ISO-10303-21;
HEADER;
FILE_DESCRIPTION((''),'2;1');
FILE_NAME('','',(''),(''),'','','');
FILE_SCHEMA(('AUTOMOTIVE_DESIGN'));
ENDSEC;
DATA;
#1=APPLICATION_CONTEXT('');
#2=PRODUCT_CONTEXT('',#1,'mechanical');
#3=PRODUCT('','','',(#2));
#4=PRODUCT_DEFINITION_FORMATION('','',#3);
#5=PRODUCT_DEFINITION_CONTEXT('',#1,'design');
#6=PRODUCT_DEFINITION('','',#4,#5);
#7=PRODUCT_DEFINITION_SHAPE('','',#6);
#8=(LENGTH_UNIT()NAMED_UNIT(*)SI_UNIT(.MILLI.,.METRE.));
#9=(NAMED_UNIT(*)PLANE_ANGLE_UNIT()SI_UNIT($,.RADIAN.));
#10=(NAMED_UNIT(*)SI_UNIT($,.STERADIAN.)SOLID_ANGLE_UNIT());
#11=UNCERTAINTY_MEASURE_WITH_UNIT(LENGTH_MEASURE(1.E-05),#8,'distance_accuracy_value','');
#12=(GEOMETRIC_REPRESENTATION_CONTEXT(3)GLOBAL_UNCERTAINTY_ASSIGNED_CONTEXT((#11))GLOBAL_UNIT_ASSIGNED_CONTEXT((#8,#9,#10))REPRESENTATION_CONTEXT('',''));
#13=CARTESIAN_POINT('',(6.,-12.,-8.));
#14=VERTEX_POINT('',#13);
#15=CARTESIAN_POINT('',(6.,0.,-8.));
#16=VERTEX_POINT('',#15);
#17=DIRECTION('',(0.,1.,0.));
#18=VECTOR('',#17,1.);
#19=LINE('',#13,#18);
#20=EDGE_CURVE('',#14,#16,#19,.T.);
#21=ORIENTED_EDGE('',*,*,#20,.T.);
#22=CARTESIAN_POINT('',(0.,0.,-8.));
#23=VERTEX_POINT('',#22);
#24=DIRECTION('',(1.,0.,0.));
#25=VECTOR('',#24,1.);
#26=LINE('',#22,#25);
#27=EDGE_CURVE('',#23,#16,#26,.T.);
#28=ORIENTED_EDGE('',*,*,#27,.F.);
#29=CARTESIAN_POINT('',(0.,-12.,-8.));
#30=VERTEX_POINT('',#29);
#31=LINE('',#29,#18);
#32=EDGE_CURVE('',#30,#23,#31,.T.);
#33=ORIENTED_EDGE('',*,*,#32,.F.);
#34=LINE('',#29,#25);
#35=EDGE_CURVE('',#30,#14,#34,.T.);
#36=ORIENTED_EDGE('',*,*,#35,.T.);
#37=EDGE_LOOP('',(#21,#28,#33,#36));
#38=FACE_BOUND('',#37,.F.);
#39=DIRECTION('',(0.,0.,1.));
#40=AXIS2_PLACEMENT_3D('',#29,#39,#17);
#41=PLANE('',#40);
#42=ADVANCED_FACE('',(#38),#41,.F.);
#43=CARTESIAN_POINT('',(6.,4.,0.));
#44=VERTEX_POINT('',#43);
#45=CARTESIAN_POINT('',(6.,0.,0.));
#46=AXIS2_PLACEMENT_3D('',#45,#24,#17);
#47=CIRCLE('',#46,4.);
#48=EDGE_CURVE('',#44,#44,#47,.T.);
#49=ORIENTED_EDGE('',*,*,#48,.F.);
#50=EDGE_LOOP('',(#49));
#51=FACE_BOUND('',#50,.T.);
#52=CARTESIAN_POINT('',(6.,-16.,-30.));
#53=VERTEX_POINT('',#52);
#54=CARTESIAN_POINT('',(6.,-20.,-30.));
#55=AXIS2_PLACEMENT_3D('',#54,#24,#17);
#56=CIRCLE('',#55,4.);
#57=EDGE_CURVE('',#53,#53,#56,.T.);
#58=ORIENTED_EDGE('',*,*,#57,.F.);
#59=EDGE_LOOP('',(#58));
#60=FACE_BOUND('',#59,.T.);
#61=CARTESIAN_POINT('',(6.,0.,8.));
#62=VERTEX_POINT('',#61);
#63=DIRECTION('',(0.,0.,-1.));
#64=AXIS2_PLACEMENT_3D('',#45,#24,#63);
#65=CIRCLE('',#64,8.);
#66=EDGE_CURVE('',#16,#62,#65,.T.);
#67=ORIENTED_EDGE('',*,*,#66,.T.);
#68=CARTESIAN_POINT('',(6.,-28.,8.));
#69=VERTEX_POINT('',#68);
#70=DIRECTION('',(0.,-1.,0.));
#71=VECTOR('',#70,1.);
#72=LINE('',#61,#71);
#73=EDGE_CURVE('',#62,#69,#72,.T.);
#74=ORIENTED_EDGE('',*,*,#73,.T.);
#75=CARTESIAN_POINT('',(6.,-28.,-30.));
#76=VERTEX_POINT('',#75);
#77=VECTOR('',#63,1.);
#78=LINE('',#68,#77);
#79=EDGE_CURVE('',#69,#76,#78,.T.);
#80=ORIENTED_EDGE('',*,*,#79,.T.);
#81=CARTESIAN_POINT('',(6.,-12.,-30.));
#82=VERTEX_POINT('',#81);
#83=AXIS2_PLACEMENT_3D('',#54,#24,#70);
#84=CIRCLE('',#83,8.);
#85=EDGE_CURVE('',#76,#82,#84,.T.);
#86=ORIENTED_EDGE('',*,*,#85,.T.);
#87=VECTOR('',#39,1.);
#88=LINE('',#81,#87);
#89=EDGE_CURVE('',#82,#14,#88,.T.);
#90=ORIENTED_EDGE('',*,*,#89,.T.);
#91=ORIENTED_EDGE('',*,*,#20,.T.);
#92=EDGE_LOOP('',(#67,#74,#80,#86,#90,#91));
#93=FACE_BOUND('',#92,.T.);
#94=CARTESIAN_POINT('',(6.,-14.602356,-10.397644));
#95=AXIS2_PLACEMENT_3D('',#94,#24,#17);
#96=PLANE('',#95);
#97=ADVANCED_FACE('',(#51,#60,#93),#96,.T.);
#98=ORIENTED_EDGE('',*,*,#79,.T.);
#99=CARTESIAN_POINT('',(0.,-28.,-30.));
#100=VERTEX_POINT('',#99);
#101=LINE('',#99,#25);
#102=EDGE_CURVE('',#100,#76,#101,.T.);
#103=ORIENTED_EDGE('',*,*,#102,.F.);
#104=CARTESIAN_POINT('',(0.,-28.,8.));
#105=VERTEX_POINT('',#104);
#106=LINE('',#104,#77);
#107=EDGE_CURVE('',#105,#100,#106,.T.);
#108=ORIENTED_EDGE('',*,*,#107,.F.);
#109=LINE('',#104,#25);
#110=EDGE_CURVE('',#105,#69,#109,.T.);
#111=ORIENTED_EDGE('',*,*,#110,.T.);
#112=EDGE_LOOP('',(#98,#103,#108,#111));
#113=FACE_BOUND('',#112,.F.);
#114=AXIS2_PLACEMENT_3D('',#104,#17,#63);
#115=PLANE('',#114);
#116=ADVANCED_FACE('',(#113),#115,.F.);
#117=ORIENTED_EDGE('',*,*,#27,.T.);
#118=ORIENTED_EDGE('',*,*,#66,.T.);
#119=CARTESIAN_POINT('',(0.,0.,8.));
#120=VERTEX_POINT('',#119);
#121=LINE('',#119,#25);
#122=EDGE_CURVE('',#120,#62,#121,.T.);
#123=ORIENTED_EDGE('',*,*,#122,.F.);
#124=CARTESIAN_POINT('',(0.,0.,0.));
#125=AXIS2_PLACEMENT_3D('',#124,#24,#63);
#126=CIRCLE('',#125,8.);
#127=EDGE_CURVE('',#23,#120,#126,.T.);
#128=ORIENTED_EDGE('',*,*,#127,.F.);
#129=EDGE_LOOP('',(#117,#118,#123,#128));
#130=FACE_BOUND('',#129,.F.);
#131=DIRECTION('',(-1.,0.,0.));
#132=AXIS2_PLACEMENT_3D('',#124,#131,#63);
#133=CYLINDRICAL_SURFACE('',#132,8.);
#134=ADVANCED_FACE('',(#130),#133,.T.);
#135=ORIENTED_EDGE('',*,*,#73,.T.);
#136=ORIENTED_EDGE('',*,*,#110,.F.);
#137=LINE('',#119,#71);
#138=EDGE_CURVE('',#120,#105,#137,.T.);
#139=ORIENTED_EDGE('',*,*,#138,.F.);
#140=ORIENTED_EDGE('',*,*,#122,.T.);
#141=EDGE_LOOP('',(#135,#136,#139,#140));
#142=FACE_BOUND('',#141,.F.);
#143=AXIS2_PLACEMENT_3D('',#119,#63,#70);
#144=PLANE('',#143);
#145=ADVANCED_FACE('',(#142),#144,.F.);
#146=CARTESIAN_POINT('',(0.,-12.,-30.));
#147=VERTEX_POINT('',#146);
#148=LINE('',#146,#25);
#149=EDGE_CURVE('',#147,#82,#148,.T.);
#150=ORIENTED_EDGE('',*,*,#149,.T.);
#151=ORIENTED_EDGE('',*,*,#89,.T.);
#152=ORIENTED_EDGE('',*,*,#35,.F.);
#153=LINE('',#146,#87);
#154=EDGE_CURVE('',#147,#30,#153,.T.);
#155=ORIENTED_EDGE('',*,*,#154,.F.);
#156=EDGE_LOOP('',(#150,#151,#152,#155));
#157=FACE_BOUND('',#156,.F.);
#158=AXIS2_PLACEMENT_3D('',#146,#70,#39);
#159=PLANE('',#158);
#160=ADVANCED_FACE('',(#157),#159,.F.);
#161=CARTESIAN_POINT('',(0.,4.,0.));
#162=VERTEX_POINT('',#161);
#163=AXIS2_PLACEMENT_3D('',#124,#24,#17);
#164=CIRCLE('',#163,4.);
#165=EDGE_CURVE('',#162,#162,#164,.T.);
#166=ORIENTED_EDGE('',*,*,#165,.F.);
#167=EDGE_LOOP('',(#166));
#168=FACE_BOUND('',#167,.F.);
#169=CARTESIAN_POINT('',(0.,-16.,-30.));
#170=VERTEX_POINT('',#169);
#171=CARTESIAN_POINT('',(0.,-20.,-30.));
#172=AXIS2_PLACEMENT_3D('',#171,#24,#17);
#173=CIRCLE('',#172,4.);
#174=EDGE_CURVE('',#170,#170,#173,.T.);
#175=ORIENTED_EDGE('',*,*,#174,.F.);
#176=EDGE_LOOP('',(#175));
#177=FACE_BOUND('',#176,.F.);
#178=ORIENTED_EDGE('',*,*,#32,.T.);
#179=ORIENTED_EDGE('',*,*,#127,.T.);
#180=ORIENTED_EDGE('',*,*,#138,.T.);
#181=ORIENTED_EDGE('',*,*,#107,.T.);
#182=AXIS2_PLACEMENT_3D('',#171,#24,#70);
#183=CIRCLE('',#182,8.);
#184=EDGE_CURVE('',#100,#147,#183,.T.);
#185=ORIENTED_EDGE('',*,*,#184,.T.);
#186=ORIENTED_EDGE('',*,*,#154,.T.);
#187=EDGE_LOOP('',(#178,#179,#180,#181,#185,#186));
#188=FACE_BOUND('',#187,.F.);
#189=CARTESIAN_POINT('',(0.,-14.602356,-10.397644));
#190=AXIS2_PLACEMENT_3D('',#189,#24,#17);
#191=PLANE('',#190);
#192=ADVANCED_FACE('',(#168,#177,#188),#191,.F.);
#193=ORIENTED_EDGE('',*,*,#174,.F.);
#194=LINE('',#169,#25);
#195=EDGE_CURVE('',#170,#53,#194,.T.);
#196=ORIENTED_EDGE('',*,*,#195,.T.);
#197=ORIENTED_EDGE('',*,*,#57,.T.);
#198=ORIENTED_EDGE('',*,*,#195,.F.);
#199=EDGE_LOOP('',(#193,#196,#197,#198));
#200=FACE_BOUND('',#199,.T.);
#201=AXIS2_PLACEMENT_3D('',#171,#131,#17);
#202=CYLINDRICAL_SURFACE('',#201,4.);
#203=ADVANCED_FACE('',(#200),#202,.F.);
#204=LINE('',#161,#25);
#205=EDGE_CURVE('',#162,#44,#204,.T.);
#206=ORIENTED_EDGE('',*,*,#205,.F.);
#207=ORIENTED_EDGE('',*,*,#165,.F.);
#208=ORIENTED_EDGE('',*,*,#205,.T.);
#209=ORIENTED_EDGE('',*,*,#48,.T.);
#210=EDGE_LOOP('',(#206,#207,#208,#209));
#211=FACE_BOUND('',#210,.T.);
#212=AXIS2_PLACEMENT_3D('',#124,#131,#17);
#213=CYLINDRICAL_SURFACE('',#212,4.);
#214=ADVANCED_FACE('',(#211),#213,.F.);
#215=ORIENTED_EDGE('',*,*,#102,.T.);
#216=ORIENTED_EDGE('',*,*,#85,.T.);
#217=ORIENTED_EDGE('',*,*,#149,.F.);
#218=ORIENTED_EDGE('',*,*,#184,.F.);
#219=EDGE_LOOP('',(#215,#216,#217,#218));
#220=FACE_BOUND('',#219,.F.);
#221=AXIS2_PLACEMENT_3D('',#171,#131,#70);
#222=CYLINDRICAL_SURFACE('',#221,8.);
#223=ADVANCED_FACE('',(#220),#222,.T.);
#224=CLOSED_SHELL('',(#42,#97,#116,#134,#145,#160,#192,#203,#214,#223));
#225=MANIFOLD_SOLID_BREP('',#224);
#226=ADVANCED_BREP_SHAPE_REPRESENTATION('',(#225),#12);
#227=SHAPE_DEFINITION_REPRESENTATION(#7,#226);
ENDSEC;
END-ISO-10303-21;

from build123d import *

# Parameters (mm, degrees)
F0_R     = 4
F1_DEPTH = 6


with BuildPart() as f1:
    # F0 (on Right) → F1 (new body)
    with BuildSketch(Plane.YZ):
        with BuildLine():
            Line((-12, -8), (0, -8))
            ThreePointArc((0, -8), (8, 0), (0, 8))
            Line((0, 8), (-28, 8))
            Line((-28, 8), (-28, -30))
            ThreePointArc((-28, -30), (-20, -38), (-12, -30))
            Line((-12, -30), (-12, -8))
        make_face()
        with Locations((-20, -30)):
            Circle(F0_R, mode=Mode.SUBTRACT)
        Circle(F0_R, mode=Mode.SUBTRACT)
    extrude(amount=F1_DEPTH)


solid = f1.part
